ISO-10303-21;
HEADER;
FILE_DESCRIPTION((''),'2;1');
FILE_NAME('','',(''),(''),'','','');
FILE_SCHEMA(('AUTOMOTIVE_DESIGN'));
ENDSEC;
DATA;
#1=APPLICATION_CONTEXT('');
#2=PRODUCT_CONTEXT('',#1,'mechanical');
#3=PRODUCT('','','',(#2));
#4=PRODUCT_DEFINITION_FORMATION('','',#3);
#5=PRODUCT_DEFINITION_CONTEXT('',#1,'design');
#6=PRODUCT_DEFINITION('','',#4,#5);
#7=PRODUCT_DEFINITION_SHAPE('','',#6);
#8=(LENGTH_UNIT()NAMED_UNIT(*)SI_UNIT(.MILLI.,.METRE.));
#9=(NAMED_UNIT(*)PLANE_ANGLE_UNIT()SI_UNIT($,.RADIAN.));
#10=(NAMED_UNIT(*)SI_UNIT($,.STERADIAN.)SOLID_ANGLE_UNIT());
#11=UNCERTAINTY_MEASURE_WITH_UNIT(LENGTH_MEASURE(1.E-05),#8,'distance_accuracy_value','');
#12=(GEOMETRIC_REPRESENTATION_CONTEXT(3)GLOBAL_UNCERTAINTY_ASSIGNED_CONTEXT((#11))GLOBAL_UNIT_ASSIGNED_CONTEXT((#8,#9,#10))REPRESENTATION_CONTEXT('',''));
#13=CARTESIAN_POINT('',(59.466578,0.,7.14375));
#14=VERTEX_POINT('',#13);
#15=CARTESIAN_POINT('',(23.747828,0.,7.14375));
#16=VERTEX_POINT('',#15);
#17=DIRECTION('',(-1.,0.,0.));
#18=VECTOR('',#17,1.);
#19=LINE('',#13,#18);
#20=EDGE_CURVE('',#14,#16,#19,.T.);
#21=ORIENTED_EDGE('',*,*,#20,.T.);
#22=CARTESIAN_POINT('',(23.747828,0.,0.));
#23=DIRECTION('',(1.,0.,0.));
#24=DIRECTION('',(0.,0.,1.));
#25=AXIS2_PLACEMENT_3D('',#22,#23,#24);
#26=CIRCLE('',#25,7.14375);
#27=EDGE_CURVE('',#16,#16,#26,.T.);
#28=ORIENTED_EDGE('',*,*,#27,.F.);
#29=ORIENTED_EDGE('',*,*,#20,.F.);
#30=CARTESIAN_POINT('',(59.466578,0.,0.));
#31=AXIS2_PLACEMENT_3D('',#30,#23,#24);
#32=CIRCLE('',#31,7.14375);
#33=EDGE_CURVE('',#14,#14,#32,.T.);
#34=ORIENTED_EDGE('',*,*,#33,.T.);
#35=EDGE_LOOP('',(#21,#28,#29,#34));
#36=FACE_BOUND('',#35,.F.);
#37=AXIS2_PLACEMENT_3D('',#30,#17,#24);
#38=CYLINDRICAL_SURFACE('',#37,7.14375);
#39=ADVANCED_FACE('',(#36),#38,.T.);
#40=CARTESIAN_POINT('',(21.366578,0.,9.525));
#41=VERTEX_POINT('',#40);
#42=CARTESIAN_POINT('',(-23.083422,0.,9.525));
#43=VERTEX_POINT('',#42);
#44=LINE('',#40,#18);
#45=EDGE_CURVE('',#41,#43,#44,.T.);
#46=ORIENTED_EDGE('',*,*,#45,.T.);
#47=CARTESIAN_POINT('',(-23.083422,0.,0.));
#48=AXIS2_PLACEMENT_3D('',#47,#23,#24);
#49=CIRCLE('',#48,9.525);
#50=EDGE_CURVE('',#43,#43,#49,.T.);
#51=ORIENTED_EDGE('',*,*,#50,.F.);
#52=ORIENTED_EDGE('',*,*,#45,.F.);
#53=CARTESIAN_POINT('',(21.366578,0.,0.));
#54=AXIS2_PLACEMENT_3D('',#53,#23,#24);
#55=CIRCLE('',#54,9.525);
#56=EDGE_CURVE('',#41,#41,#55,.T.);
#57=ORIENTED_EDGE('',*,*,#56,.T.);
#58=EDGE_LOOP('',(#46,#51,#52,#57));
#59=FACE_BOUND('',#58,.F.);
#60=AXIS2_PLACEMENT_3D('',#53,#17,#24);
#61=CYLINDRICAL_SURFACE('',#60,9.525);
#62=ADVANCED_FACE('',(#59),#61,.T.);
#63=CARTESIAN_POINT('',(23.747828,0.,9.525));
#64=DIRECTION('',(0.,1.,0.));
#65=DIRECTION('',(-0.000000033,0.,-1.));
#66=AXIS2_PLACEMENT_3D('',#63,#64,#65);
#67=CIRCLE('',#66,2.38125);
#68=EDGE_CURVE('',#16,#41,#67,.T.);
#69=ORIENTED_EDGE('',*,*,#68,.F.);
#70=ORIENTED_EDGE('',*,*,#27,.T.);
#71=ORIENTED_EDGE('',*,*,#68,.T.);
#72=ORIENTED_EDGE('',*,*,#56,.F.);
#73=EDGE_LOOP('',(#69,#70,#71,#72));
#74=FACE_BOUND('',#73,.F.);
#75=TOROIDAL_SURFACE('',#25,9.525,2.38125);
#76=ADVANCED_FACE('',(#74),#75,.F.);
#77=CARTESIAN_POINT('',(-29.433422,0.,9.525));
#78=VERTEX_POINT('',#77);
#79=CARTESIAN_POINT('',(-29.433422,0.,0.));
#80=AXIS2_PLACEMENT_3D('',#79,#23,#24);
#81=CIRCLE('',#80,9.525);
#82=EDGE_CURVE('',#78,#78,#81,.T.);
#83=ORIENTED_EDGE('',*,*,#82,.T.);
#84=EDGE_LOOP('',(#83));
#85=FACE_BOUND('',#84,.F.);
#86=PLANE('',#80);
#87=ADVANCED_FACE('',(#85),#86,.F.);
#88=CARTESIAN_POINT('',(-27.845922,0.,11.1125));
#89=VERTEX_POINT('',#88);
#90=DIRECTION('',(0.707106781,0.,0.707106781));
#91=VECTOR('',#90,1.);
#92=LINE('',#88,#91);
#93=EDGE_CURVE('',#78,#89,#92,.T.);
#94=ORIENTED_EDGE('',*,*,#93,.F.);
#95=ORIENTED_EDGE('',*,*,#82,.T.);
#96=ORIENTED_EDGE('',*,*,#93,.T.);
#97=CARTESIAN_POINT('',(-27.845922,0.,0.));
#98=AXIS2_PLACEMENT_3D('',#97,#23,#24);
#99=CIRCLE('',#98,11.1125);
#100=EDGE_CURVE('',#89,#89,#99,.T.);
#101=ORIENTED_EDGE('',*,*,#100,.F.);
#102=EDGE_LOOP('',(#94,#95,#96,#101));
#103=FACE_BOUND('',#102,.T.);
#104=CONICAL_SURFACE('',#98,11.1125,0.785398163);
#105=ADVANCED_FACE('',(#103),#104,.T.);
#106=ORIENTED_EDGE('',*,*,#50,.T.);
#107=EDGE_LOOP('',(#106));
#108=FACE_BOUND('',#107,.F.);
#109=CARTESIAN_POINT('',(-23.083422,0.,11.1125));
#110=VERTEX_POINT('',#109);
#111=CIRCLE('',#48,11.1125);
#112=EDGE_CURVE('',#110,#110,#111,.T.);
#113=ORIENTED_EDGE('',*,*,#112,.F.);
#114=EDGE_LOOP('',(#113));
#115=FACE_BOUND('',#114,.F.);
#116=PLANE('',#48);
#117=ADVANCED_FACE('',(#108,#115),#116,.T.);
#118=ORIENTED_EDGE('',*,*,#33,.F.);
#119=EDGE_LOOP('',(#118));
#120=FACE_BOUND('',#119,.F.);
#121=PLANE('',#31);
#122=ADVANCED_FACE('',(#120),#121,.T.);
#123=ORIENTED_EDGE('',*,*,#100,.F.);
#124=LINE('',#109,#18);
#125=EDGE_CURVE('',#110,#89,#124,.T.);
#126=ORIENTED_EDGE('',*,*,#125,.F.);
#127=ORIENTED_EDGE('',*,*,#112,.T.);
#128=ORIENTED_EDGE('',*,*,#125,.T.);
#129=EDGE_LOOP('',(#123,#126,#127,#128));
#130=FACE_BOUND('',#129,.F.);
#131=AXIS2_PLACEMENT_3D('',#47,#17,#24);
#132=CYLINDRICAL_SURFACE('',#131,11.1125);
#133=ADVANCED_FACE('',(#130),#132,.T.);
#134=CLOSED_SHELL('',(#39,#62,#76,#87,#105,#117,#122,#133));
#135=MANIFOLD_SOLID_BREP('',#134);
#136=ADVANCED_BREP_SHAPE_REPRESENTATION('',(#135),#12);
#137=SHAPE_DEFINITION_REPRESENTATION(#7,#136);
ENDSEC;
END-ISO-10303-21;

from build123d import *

# Parameters (mm, degrees)
F2_SIZE = 1.5875


with BuildPart() as f1:
    # F0 (on Front) → F1 (revolve)
    with BuildSketch(Plane.XZ):
        with BuildLine():
            Line((-29.433422, 11.1125), (-29.433422, 0))
            Line((-29.433422, 0), (59.466578, 0))
            Line((59.466578, 0), (59.466578, 7.14375))
            Line((59.466578, 7.14375), (23.747828, 7.14375))
            ThreePointArc((23.747828, 7.14375), (22.06403, 7.841202), (21.366578, 9.525))
            Line((21.366578, 9.525), (-23.083422, 9.525))
            Line((-23.083422, 9.525), (-23.083422, 11.1125))
            Line((-23.083422, 11.1125), (-29.433422, 11.1125))
        make_face()
    revolve(axis=Axis((15.016578, 0, 0), (1, 0, 0)))

    # F2
    f2_edges = [f1.edges().sort_by_distance(p)[0] for p in [
        (-29.433422, 0, -11.1125),
    ]]
    chamfer(f2_edges, length=F2_SIZE)


solid = f1.part
